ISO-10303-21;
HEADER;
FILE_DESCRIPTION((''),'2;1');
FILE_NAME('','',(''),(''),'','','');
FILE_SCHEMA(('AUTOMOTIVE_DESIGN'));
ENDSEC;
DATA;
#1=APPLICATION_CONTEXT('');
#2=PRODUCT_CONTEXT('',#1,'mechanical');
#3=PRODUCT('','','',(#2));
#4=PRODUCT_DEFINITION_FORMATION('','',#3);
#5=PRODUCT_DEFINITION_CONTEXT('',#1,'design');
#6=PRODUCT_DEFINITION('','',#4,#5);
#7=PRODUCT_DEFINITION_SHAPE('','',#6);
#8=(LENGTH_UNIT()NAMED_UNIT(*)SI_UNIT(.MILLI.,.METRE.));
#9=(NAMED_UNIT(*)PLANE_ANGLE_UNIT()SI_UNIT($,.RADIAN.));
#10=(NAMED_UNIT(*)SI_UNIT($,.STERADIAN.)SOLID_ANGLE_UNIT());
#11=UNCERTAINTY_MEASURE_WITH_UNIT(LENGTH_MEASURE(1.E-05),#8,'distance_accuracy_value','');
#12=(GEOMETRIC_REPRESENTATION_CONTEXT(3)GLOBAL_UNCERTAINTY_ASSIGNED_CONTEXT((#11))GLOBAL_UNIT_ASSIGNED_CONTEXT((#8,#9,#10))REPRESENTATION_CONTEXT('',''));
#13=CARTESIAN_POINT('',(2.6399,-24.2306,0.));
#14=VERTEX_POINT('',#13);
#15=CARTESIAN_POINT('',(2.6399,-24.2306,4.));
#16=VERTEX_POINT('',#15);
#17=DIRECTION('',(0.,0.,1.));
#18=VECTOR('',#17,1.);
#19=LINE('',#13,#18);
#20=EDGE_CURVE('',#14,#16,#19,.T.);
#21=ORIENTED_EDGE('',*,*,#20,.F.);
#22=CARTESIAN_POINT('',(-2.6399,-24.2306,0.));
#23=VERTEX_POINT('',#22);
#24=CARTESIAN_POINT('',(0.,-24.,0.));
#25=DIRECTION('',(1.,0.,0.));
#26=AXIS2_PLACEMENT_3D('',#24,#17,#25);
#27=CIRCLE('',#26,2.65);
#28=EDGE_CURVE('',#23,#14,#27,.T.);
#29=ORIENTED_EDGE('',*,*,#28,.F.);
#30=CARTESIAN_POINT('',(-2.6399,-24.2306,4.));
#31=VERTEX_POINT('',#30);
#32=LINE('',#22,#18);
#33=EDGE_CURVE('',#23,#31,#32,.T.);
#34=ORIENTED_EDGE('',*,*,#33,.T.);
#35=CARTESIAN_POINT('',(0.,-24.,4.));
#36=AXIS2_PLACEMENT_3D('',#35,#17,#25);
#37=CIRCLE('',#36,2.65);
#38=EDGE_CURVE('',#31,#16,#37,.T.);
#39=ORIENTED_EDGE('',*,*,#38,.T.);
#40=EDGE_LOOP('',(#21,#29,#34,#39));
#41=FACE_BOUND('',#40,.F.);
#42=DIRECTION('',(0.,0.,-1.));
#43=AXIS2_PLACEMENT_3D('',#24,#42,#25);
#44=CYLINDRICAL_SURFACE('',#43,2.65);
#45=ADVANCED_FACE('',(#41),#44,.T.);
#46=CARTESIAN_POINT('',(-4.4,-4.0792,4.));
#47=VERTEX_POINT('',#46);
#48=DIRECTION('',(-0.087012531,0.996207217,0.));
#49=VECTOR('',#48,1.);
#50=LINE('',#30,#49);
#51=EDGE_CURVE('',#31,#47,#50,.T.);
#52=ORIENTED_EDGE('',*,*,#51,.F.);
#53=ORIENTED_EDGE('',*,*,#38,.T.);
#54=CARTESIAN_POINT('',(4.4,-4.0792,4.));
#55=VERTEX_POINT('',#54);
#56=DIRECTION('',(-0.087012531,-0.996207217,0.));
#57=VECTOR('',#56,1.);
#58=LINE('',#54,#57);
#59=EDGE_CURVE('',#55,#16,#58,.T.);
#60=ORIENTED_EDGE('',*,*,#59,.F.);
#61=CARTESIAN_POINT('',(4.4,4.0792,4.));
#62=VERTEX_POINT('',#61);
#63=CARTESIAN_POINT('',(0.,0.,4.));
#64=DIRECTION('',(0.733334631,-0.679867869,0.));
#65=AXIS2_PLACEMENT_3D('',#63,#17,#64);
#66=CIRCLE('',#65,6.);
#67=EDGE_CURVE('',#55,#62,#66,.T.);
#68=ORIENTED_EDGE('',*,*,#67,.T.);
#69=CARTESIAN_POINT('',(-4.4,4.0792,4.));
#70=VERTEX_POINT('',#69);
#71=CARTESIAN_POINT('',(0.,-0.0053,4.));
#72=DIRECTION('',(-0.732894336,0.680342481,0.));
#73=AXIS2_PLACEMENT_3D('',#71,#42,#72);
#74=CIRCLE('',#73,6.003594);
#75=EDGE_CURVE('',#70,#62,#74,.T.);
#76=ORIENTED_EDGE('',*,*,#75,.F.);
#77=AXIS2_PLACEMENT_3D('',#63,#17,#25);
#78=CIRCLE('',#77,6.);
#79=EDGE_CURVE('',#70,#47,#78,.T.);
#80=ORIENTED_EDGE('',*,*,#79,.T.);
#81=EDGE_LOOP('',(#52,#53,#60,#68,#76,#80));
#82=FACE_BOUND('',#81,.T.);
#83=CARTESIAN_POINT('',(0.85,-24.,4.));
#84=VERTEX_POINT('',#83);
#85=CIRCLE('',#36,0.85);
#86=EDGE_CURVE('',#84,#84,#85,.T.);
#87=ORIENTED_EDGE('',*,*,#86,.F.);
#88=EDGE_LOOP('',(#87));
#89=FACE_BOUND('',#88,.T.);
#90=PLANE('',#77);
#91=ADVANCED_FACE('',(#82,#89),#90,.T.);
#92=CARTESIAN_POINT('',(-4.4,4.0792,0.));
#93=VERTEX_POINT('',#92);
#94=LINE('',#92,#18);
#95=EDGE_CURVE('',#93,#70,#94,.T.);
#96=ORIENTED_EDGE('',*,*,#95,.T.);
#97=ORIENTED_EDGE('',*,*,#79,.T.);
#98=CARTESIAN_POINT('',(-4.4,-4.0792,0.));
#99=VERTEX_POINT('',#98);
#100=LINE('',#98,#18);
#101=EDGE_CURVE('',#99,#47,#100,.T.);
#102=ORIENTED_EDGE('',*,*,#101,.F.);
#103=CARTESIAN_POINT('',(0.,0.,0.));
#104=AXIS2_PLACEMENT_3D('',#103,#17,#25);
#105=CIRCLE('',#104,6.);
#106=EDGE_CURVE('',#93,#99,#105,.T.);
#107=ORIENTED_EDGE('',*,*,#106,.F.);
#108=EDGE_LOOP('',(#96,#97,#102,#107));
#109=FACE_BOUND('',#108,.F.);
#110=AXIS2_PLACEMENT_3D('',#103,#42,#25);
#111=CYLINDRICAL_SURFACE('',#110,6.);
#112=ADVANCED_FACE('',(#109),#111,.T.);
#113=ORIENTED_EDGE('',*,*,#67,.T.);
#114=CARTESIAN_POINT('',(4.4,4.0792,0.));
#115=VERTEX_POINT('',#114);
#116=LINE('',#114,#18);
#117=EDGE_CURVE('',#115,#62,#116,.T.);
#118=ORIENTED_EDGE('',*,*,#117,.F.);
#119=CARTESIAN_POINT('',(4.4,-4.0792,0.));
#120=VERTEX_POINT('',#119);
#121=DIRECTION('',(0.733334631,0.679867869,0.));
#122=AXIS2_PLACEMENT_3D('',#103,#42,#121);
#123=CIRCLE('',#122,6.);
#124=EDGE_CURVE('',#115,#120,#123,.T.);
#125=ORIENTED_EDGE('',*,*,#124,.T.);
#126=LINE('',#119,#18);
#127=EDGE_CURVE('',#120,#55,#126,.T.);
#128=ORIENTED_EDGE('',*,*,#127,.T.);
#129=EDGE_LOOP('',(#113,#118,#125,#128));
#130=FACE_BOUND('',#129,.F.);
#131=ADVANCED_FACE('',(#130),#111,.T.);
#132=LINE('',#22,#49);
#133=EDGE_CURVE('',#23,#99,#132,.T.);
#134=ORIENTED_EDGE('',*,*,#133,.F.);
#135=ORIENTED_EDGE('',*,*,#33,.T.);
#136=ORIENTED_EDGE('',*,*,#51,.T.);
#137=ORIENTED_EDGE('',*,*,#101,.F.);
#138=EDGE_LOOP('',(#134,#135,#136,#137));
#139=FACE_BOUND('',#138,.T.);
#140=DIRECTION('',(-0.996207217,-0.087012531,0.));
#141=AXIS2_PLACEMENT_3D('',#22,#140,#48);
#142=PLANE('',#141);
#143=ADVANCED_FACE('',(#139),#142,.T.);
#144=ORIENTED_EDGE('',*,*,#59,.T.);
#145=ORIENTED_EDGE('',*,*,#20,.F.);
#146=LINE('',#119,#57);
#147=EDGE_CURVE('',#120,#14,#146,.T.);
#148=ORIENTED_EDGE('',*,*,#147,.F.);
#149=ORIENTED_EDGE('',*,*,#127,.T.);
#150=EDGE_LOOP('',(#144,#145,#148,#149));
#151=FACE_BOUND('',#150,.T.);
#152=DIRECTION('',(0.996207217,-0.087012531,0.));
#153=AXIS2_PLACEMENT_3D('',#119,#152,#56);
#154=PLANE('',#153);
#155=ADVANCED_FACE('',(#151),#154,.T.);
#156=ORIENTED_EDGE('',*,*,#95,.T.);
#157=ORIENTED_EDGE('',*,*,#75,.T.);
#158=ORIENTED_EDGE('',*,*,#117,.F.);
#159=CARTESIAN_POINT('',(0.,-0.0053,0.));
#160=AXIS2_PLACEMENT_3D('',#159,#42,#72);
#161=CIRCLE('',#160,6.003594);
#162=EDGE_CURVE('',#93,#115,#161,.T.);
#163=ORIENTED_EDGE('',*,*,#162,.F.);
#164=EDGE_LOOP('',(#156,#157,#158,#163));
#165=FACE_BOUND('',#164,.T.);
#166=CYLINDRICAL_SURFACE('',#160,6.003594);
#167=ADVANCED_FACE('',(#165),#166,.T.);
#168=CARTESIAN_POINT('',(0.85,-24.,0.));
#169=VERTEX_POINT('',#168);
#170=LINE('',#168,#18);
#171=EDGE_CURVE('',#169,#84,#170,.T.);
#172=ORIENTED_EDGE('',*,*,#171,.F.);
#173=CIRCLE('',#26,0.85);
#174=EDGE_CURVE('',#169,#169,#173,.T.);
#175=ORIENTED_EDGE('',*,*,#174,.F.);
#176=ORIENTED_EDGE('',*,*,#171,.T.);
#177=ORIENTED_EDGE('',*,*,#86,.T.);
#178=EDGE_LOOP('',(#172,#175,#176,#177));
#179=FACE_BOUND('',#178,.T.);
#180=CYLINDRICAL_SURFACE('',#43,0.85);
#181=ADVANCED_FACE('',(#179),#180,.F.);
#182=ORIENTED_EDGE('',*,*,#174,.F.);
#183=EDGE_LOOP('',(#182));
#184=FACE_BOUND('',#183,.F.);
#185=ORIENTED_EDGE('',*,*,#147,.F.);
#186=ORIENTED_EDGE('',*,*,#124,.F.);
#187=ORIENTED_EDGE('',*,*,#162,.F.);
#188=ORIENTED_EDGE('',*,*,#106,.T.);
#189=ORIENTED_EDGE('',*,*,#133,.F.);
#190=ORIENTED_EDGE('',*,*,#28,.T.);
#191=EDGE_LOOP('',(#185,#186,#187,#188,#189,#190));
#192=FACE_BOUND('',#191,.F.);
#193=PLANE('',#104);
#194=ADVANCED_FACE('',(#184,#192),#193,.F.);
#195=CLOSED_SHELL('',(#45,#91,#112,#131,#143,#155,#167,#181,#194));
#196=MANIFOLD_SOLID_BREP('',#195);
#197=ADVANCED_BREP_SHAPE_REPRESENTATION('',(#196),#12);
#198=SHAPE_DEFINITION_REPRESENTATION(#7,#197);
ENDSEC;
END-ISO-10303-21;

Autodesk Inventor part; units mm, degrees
ref_plane "YZ Plane" through (0, 0, 0) normal (1, 0, 0) x (0, 1, 0)
ref_plane "XZ Plane" through (0, 0, 0) normal (0, 1, 0) x (-1, 0, 0)
ref_plane "XY Plane" through (0, 0, 0) normal (0, 0, 1) x (1, 0, 0)
sketch "Sketch3" plane through (0, 0, 0) normal (0, 0, 1) x (1, 0, 0)
  circle A0 centre (0, 24) radius 0.85
  circle A1 centre (0, -24) radius 0.85
  line L0 (0, 0) -> (0, 24) construction
  line L1 (0, -24) -> (0, 0) construction
  circle A2 centre (0, 24) radius 2.65
  circle A3 centre (0, -24) radius 2.65
  circle A4 centre (0, 0) radius 6
  line L2 (-2.6399, -24.2306) -> (-4.4, -4.0792)
  line L3 (4.4, -4.0792) -> (2.6399, -24.2306)
  line L4 (-4.4, 4.0792) -> (-2.6399, 24.2306)
  line L5 (2.6399, 24.2306) -> (4.4, 4.0792)
  circle A5 centre (0, 0) radius 1.5
  circle A6 centre (0, 0) radius 4
  dimension "d0" = 1.7
  dimension "d1" = 1.7
  dimension "d2" = 24
  dimension "d3" = 5.3
  dimension "d4" = 5.3
  dimension "d5" = 12
  dimension "d6" = 8.8
  dimension "d7" = 8.8
  dimension "d8" = 3
  dimension "d9" = 8
extrude "Extrusion1" add sketch "Sketch3" along normal blind 4 contours A2 | A2 L5 A4 L4 | A4 | A4 L3 A3 L2 | A3 | A5 | A6
sketch "Sketch4" plane through (0, 0, 0) normal (0, 0, -1) x (-1, 0, 0)
  line L0 (2.6399, 24.2306) -> (4.4, 4.0792) projected
  arc A0 (4.4, 4.0792) -> (-4.4, 4.0792) centre (0, -0.0053) ccw
  line L1 (-4.4, 4.0792) -> (-2.6399, 24.2306) projected
  line L2 (-4.4, 4.0792) -> (-4.7971, 27.3226)
  line L3 (-4.7971, 27.3226) -> (2.625, 27.4494)
  line L4 (2.625, 27.4494) -> (5.7014, 4.2518)
  line L5 (5.7014, 4.2518) -> (4.4, 4.0792)
  point P0 (0, 0)
extrude "Extrusion2" cut sketch "Sketch4" against normal blind 10
equation "\"d4\" = d3"
equation "\"d7\" = d6"
properties part number "HornProfile"
